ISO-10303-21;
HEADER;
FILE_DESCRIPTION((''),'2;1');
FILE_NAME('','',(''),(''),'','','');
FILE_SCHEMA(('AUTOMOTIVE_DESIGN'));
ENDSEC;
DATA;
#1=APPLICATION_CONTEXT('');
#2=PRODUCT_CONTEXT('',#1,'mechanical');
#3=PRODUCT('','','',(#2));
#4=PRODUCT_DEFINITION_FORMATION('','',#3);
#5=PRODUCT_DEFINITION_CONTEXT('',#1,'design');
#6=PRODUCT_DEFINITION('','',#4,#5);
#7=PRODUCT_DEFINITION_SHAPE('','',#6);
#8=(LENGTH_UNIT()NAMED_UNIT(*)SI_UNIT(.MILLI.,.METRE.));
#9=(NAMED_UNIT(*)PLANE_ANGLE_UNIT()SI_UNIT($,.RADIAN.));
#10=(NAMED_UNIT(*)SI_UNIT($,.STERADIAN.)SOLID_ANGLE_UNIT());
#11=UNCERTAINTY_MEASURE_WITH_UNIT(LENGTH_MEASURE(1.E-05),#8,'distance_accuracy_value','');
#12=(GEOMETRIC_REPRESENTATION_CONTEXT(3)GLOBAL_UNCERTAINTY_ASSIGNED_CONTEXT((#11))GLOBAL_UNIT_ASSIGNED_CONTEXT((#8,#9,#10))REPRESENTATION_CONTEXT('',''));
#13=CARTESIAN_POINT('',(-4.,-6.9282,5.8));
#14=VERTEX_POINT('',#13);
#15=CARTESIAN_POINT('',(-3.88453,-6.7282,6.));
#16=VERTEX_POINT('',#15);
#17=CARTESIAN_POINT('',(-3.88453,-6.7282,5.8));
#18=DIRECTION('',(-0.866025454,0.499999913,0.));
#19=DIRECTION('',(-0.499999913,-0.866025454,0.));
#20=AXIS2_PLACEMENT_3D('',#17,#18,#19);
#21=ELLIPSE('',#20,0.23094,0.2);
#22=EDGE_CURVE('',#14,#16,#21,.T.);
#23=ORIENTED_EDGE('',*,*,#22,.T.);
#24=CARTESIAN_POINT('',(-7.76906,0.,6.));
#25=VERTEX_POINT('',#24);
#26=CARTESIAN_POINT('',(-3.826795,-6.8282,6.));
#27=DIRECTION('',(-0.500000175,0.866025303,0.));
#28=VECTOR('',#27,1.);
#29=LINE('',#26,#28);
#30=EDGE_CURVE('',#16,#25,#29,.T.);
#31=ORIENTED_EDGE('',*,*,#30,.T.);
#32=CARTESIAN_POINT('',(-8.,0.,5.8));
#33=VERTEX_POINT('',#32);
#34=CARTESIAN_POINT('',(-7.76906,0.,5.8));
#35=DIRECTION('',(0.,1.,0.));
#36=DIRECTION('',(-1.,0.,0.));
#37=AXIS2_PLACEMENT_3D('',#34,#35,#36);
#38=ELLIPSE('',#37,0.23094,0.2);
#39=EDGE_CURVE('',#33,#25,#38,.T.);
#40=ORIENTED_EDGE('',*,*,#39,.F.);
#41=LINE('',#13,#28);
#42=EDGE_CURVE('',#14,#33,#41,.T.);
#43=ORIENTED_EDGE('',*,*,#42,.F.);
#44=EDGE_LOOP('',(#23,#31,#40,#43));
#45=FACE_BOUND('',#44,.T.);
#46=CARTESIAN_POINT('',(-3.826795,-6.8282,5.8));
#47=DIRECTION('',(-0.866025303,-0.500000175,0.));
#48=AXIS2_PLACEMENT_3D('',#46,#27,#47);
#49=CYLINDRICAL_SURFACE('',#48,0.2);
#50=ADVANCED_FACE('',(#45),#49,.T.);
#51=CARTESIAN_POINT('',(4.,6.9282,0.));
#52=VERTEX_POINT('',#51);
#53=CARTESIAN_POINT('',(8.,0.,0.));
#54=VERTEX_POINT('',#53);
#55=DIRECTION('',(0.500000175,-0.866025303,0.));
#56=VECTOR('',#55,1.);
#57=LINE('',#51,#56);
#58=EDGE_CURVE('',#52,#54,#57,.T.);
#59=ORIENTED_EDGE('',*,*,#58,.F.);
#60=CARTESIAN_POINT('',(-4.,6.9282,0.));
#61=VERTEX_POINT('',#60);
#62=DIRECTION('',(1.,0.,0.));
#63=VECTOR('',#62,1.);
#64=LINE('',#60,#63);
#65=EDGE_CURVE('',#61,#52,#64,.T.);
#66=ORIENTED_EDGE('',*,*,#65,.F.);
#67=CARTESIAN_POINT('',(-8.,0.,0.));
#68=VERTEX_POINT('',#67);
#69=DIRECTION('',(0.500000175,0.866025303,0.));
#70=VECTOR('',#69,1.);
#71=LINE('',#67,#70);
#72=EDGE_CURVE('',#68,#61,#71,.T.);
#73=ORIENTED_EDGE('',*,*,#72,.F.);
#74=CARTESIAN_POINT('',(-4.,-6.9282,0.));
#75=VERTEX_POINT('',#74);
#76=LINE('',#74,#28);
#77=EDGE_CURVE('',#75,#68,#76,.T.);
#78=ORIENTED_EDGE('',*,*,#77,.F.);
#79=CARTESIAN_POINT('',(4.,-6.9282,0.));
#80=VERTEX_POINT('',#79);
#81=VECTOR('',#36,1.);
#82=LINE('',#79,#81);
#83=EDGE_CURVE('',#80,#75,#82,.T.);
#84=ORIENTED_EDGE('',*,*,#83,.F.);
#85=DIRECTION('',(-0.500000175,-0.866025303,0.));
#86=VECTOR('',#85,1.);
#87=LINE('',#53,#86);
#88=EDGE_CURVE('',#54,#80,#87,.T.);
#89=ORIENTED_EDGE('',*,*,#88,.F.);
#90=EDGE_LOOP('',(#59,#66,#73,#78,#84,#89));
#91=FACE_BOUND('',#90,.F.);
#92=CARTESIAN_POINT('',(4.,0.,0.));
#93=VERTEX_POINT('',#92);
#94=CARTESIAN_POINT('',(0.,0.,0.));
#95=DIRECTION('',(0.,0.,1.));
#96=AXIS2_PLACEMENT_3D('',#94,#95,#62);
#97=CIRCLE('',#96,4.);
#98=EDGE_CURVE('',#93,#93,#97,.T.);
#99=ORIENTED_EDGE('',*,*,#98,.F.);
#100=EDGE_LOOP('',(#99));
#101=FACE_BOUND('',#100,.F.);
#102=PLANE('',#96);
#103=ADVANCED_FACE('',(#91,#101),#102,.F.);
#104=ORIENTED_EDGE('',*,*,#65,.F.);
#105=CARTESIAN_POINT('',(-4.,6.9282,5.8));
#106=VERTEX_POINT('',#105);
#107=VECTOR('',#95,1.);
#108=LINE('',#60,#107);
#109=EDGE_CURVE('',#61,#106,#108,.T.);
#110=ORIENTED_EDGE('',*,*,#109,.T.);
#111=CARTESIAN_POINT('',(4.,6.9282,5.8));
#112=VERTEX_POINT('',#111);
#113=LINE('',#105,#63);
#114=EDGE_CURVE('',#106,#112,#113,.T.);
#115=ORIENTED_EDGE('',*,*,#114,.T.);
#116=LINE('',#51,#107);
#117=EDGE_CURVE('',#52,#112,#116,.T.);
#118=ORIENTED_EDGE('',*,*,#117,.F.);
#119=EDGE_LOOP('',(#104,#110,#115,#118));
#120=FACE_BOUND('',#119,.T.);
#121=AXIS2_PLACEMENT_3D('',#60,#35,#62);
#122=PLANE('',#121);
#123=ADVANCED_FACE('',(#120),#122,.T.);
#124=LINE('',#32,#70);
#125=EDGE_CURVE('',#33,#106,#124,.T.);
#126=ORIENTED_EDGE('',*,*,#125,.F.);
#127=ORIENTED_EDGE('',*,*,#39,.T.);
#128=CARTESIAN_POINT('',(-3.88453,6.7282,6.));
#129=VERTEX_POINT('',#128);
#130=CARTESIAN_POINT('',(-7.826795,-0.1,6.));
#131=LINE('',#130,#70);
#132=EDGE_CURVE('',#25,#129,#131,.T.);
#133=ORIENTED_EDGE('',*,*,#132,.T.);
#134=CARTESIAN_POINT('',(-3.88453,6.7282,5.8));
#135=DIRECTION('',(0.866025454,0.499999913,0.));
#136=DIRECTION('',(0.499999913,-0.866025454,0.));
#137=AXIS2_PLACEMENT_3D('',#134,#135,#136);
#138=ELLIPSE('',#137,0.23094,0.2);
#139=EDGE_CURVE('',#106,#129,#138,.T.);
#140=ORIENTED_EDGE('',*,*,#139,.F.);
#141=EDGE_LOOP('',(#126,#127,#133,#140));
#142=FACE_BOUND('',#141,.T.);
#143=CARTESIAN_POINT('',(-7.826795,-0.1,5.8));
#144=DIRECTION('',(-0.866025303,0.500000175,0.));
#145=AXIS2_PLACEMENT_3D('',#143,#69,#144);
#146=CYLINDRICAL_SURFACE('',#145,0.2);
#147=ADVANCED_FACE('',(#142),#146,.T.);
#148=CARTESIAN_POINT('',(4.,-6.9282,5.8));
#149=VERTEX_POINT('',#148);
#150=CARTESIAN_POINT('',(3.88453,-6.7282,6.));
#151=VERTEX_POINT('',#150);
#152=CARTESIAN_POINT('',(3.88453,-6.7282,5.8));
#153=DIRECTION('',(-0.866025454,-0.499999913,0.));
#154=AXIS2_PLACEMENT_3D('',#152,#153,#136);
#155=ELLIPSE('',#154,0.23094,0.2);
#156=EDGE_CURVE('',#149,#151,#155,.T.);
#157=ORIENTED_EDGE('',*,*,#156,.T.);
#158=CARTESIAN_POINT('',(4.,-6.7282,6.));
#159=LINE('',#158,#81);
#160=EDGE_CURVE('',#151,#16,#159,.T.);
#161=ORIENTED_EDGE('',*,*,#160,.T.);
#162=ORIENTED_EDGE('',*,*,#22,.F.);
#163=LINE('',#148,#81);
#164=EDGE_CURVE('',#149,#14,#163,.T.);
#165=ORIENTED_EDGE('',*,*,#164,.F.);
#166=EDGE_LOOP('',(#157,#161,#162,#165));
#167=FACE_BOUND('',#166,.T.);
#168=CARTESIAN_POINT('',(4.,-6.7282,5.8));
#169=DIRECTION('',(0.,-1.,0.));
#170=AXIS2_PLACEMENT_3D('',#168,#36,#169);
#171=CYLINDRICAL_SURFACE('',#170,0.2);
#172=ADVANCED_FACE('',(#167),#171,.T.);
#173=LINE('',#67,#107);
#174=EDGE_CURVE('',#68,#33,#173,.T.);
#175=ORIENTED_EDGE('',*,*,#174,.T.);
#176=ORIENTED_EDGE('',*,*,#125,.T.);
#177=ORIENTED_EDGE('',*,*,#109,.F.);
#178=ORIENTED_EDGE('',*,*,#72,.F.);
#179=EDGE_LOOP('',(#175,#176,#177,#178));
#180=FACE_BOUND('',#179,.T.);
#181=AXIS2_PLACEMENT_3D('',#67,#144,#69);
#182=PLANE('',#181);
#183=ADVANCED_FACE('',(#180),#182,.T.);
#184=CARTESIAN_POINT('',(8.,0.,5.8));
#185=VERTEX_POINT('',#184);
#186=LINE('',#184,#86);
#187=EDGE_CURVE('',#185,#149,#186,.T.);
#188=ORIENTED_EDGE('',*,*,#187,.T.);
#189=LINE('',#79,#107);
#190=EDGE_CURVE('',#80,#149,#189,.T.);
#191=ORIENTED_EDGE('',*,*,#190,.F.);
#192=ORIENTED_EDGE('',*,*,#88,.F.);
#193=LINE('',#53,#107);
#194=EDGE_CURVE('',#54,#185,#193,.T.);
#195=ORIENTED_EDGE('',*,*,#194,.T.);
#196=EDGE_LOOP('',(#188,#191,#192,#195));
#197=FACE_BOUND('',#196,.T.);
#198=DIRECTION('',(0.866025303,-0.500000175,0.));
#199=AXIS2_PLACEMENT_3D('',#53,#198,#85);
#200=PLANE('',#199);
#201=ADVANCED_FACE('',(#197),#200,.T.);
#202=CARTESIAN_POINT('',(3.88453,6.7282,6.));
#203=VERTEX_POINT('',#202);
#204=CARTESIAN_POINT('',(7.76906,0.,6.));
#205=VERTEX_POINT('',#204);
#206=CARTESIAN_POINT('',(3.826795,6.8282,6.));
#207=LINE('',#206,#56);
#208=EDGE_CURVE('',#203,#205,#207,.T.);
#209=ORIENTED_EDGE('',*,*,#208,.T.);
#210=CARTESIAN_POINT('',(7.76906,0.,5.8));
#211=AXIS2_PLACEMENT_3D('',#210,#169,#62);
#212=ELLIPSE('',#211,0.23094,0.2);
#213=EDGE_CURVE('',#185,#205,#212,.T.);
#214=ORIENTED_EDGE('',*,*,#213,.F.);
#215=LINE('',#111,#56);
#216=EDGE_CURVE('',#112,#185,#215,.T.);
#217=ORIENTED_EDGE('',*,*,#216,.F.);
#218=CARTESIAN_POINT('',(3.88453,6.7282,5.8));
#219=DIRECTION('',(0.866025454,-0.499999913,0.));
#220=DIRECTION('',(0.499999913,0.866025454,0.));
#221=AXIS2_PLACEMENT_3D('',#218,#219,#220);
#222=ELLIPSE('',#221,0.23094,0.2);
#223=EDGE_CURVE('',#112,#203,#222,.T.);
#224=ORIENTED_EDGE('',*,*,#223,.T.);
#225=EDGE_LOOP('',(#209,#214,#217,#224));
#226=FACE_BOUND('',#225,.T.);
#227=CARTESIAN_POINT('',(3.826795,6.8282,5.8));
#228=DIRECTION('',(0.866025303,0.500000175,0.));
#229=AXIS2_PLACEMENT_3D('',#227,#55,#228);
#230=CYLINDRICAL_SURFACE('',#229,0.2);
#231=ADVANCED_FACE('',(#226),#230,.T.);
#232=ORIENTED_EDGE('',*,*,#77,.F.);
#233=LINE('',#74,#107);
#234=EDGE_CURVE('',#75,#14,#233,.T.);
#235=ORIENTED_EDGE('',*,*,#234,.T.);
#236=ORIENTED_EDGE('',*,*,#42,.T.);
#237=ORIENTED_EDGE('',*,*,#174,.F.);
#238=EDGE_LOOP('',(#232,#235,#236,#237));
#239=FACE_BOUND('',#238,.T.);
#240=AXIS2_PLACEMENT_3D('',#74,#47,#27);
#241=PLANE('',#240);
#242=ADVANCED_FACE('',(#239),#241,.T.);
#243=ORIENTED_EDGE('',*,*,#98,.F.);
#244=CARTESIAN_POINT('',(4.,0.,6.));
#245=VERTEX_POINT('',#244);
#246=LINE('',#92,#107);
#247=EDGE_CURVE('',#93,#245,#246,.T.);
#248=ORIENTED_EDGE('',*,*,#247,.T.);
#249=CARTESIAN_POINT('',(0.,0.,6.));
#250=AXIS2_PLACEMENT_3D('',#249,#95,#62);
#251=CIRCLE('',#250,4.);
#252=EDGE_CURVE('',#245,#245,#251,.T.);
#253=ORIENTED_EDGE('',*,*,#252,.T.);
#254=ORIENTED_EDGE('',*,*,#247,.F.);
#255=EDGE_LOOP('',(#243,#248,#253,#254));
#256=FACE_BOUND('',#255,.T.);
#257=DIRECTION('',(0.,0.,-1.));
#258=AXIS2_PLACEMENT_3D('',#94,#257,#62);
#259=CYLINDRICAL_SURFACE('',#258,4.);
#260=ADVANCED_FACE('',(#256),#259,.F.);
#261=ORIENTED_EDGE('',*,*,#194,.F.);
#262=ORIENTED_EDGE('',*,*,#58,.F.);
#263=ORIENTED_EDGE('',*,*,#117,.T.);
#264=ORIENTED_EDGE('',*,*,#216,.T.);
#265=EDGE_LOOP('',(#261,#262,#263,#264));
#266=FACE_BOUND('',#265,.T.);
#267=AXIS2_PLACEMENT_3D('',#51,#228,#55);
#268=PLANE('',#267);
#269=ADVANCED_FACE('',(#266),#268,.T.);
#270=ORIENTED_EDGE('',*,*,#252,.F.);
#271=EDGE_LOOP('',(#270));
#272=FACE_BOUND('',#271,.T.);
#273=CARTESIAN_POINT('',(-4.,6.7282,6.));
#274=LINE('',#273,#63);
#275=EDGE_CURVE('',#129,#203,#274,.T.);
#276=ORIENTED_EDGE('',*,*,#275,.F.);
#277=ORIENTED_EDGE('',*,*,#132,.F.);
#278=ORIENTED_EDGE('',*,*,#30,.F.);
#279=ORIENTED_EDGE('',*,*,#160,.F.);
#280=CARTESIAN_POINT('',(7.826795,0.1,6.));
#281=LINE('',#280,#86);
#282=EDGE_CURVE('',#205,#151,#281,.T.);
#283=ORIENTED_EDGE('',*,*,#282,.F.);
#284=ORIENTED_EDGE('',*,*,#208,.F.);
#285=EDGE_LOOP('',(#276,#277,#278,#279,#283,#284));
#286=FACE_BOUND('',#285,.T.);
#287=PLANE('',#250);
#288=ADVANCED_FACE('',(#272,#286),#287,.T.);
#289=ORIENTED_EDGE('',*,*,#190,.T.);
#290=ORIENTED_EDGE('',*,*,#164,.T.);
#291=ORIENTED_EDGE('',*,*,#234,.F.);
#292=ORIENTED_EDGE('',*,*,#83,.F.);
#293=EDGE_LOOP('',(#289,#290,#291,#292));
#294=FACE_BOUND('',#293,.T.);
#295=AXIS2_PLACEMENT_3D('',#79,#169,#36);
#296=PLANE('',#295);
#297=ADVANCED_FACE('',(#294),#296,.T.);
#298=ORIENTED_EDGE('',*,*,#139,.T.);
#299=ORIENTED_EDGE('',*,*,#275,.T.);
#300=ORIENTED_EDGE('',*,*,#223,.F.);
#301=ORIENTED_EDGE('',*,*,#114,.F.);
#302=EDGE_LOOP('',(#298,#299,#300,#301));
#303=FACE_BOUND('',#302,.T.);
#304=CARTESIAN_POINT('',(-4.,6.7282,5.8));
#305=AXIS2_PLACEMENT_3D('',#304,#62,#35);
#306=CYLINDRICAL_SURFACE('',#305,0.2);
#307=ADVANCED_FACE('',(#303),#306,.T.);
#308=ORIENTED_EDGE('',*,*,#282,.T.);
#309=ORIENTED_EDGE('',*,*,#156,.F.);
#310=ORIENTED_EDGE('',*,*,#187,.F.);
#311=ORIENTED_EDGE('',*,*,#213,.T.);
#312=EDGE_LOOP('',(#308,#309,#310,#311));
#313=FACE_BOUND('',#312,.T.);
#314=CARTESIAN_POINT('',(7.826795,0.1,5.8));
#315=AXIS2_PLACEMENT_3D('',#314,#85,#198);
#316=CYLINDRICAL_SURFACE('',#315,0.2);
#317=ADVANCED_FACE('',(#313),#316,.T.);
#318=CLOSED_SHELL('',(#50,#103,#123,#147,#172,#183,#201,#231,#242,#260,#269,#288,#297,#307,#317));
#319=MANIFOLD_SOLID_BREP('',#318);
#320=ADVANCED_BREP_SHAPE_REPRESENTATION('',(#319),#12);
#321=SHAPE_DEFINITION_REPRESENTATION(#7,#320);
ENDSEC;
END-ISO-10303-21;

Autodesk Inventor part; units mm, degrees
ref_plane "YZ Plane" through (0, 0, 0) normal (1, 0, 0) x (0, 1, 0)
ref_plane "XZ Plane" through (0, 0, 0) normal (0, 1, 0) x (-1, 0, 0)
ref_plane "XY Plane" through (0, 0, 0) normal (0, 0, 1) x (1, 0, 0)
sketch "Esboço1" plane through (0, 0, 0) normal (0, 0, 1) x (1, 0, 0)
  line L0 (-4, 6.9282) -> (4, 6.9282)
  line L1 (4, 6.9282) -> (8, 0)
  line L2 (8, 0) -> (4, -6.9282)
  line L3 (4, -6.9282) -> (-4, -6.9282)
  line L4 (-4, -6.9282) -> (-8, 0)
  line L5 (-8, 0) -> (-4, 6.9282)
  circle A0 centre (0, 0) radius 4
  dimension "d0" = 8
  dimension "d1" = 8
extrude "Extrusão1" add sketch "Esboço1" along normal blind 6
fillet "Arredondamento1" radius 0.2 6 edges at (0, 6.9282, 6) (6, 3.4641, 6) (6, -3.4641, 6) (0, -6.9282, 6) (-6, -3.4641, 6) (-6, 3.4641, 6)
thread "Rosca1" size "M8x0.75" class "6H" standard "ANSI Metric M Profile" length 7
properties part number "Porca"
